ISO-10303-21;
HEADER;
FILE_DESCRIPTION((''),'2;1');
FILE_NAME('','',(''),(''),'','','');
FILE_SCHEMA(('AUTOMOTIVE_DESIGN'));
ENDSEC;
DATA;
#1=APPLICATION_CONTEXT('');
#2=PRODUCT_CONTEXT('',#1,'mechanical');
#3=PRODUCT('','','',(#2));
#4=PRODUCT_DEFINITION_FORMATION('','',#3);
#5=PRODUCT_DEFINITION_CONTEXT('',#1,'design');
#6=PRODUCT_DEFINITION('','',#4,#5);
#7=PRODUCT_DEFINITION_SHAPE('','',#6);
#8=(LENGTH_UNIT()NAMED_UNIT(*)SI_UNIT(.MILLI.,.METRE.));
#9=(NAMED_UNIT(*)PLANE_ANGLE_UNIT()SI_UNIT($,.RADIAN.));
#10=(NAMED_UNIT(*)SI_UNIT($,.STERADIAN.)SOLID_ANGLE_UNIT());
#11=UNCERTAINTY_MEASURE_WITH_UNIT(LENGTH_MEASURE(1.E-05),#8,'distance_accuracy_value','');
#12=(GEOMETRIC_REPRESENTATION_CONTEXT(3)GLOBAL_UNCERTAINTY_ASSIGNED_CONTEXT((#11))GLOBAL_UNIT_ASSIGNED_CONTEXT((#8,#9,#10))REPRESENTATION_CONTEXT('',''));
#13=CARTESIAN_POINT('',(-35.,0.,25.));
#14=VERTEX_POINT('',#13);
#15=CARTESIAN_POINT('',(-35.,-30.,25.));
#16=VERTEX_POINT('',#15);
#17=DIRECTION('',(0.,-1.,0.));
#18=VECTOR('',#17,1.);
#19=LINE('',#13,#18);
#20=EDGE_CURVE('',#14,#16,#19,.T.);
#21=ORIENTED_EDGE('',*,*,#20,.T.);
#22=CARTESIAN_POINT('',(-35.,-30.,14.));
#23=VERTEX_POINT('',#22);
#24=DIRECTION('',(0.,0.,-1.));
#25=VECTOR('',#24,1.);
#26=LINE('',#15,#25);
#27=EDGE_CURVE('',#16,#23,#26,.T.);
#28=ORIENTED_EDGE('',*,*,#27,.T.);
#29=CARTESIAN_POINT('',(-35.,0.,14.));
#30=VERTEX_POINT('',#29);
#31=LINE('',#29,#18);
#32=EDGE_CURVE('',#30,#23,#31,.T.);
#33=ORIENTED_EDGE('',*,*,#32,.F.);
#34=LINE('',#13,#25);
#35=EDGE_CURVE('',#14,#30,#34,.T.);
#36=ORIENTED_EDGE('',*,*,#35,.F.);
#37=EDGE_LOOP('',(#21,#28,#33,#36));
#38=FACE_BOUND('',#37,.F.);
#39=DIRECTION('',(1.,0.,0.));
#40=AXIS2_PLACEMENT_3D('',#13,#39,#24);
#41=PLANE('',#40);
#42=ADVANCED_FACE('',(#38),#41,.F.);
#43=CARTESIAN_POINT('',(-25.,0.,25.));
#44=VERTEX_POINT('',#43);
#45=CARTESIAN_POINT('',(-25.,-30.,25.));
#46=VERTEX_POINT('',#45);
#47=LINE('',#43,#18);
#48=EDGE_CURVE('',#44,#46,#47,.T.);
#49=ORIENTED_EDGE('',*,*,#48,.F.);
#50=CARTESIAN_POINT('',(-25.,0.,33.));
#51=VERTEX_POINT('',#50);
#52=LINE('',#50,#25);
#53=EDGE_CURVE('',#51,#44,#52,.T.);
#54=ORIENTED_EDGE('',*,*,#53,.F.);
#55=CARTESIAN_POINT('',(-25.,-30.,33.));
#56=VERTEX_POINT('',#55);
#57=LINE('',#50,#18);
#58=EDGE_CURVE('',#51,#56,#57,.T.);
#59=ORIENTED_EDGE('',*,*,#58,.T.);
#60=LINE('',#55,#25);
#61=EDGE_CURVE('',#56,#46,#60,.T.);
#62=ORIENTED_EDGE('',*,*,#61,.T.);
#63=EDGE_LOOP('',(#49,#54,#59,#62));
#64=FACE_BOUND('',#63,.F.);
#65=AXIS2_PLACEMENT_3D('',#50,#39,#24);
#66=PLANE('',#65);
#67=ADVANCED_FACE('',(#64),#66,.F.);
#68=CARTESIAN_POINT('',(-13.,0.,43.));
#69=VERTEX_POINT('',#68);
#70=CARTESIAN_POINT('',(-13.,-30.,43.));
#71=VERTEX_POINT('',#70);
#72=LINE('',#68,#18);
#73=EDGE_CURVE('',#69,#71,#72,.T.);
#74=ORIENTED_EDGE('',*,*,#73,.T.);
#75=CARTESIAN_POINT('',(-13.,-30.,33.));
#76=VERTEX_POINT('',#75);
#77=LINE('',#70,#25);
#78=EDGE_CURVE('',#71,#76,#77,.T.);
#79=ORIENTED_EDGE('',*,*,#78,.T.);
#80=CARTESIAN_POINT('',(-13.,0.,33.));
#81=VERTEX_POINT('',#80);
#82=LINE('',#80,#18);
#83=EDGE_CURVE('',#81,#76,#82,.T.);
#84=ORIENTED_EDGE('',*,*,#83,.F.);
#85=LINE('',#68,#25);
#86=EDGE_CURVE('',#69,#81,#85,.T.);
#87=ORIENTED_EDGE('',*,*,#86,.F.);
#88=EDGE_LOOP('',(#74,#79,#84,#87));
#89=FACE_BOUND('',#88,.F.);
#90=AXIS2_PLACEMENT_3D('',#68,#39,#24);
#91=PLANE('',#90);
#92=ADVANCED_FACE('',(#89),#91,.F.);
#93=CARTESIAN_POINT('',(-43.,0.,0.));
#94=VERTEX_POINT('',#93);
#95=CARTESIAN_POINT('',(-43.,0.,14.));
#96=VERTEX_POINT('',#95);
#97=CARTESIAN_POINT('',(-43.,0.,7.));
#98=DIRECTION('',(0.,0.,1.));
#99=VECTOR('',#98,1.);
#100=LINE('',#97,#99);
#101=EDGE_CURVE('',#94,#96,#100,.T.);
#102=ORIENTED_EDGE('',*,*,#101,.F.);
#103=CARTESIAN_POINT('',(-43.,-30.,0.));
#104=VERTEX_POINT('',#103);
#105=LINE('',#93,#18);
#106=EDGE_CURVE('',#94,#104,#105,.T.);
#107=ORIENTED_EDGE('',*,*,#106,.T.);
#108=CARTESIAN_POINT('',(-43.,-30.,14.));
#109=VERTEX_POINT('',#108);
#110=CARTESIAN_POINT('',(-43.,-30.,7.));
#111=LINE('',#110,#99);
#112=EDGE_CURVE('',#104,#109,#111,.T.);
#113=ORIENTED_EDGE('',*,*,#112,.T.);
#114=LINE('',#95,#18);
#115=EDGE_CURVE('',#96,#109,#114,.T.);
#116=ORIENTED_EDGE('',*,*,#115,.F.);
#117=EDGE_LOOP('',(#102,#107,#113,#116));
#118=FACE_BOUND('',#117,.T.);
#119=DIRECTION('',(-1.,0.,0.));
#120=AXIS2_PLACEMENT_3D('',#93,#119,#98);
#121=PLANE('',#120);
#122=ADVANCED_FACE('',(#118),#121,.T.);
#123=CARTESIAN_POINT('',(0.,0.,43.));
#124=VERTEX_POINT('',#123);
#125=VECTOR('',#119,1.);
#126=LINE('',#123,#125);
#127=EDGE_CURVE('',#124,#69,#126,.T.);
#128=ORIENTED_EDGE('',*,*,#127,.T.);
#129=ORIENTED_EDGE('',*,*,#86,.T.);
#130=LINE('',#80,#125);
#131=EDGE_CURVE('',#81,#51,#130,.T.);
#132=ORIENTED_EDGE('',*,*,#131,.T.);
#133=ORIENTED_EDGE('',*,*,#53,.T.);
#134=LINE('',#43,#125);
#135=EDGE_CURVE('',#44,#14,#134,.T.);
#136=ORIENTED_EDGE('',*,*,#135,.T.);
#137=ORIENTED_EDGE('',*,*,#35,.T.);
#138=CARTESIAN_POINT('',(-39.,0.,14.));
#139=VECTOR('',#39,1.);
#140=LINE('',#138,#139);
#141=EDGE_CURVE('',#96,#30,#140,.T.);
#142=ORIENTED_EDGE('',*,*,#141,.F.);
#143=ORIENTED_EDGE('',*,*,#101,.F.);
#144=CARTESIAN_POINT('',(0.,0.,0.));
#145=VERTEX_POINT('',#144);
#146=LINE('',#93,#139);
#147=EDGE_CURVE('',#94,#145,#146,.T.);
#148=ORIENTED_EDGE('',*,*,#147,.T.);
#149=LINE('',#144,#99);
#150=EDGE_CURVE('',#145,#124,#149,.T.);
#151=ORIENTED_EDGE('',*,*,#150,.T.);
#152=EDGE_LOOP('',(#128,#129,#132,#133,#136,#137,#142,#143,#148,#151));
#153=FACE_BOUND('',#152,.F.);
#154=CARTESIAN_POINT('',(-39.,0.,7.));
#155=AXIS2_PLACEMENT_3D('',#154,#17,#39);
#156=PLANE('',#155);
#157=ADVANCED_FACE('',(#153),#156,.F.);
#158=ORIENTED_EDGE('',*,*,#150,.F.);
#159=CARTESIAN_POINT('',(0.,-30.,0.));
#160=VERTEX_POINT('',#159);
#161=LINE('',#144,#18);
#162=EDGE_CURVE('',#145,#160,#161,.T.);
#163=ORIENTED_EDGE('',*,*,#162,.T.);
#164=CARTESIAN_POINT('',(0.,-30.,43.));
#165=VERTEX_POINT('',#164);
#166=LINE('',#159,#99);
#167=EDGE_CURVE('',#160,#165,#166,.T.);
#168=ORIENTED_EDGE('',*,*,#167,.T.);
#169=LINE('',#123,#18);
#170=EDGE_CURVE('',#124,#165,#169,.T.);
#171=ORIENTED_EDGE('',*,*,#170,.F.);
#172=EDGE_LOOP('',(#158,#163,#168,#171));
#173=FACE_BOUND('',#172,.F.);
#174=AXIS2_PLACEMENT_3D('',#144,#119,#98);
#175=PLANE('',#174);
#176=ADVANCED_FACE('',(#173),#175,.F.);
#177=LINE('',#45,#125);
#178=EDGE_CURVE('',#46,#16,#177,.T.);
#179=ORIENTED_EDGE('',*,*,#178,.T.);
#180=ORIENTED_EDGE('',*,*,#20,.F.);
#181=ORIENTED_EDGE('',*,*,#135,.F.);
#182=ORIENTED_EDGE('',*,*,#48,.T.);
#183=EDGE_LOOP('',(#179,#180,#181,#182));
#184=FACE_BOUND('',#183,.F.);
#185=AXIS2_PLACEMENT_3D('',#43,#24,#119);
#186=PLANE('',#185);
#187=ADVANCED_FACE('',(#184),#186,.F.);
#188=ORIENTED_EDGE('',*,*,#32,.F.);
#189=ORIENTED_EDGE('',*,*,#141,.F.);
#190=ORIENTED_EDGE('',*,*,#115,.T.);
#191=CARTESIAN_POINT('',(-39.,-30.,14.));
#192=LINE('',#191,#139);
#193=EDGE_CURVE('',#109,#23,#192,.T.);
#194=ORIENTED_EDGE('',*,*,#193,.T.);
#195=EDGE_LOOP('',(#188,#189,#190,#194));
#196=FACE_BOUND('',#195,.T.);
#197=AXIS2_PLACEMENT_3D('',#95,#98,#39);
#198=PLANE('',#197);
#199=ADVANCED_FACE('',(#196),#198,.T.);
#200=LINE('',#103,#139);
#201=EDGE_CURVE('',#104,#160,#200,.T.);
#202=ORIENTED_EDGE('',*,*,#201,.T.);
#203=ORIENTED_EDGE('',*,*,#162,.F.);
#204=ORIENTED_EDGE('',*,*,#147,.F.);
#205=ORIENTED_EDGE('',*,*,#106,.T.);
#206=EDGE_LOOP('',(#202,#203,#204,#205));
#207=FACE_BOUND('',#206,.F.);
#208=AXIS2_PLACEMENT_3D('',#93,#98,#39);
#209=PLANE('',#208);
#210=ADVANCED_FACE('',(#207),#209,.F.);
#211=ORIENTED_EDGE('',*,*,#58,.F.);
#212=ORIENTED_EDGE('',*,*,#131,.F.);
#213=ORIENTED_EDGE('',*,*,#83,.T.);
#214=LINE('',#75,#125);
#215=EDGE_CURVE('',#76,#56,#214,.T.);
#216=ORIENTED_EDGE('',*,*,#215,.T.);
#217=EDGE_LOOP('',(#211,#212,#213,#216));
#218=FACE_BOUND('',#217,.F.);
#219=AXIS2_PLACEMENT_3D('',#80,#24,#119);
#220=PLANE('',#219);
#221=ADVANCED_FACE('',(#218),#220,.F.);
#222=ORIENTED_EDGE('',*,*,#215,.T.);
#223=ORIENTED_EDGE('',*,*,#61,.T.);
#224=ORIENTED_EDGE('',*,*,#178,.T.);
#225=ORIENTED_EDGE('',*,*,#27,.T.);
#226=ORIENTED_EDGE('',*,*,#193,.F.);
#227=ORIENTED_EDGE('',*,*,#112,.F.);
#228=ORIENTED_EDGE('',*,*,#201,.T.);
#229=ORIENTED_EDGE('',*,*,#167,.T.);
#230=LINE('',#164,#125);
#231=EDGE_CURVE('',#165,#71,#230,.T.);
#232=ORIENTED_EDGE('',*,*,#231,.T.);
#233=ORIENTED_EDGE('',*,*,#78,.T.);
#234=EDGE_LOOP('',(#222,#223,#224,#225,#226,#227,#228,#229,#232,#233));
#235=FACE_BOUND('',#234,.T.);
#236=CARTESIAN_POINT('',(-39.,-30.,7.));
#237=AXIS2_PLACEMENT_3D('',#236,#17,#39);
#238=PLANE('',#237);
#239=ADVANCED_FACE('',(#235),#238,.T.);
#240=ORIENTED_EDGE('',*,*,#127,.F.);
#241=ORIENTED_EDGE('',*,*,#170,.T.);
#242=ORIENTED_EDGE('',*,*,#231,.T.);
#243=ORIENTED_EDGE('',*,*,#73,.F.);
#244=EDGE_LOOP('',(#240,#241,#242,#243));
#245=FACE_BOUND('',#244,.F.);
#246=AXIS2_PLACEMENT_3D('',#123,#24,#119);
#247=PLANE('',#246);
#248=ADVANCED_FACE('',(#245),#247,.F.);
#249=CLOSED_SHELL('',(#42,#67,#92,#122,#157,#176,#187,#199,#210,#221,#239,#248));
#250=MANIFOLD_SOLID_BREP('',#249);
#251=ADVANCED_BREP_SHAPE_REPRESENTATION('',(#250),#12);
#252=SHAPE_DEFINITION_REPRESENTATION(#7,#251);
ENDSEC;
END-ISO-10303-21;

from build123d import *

# Parameters (mm, degrees)
F0_W     = 8
F0_H     = 14
F1_DEPTH = 30


with BuildPart() as f1:
    # F0 (on Front) → F1 (new body)
    with BuildSketch(Plane.XZ):
        with Locations((-39, 7)):
            Rectangle(F0_W, F0_H)
        Polygon((-13, 0), (0, 0), (0, 43), (-13, 43), (-13, 33), align=None)
        Polygon((-25, 0), (-13, 0), (-13, 33), (-25, 33), (-25, 25), align=None)
        Polygon((-35, 0), (-25, 0), (-25, 25), (-35, 25), (-35, 14), align=None)
    extrude(amount=F1_DEPTH)


solid = f1.part
